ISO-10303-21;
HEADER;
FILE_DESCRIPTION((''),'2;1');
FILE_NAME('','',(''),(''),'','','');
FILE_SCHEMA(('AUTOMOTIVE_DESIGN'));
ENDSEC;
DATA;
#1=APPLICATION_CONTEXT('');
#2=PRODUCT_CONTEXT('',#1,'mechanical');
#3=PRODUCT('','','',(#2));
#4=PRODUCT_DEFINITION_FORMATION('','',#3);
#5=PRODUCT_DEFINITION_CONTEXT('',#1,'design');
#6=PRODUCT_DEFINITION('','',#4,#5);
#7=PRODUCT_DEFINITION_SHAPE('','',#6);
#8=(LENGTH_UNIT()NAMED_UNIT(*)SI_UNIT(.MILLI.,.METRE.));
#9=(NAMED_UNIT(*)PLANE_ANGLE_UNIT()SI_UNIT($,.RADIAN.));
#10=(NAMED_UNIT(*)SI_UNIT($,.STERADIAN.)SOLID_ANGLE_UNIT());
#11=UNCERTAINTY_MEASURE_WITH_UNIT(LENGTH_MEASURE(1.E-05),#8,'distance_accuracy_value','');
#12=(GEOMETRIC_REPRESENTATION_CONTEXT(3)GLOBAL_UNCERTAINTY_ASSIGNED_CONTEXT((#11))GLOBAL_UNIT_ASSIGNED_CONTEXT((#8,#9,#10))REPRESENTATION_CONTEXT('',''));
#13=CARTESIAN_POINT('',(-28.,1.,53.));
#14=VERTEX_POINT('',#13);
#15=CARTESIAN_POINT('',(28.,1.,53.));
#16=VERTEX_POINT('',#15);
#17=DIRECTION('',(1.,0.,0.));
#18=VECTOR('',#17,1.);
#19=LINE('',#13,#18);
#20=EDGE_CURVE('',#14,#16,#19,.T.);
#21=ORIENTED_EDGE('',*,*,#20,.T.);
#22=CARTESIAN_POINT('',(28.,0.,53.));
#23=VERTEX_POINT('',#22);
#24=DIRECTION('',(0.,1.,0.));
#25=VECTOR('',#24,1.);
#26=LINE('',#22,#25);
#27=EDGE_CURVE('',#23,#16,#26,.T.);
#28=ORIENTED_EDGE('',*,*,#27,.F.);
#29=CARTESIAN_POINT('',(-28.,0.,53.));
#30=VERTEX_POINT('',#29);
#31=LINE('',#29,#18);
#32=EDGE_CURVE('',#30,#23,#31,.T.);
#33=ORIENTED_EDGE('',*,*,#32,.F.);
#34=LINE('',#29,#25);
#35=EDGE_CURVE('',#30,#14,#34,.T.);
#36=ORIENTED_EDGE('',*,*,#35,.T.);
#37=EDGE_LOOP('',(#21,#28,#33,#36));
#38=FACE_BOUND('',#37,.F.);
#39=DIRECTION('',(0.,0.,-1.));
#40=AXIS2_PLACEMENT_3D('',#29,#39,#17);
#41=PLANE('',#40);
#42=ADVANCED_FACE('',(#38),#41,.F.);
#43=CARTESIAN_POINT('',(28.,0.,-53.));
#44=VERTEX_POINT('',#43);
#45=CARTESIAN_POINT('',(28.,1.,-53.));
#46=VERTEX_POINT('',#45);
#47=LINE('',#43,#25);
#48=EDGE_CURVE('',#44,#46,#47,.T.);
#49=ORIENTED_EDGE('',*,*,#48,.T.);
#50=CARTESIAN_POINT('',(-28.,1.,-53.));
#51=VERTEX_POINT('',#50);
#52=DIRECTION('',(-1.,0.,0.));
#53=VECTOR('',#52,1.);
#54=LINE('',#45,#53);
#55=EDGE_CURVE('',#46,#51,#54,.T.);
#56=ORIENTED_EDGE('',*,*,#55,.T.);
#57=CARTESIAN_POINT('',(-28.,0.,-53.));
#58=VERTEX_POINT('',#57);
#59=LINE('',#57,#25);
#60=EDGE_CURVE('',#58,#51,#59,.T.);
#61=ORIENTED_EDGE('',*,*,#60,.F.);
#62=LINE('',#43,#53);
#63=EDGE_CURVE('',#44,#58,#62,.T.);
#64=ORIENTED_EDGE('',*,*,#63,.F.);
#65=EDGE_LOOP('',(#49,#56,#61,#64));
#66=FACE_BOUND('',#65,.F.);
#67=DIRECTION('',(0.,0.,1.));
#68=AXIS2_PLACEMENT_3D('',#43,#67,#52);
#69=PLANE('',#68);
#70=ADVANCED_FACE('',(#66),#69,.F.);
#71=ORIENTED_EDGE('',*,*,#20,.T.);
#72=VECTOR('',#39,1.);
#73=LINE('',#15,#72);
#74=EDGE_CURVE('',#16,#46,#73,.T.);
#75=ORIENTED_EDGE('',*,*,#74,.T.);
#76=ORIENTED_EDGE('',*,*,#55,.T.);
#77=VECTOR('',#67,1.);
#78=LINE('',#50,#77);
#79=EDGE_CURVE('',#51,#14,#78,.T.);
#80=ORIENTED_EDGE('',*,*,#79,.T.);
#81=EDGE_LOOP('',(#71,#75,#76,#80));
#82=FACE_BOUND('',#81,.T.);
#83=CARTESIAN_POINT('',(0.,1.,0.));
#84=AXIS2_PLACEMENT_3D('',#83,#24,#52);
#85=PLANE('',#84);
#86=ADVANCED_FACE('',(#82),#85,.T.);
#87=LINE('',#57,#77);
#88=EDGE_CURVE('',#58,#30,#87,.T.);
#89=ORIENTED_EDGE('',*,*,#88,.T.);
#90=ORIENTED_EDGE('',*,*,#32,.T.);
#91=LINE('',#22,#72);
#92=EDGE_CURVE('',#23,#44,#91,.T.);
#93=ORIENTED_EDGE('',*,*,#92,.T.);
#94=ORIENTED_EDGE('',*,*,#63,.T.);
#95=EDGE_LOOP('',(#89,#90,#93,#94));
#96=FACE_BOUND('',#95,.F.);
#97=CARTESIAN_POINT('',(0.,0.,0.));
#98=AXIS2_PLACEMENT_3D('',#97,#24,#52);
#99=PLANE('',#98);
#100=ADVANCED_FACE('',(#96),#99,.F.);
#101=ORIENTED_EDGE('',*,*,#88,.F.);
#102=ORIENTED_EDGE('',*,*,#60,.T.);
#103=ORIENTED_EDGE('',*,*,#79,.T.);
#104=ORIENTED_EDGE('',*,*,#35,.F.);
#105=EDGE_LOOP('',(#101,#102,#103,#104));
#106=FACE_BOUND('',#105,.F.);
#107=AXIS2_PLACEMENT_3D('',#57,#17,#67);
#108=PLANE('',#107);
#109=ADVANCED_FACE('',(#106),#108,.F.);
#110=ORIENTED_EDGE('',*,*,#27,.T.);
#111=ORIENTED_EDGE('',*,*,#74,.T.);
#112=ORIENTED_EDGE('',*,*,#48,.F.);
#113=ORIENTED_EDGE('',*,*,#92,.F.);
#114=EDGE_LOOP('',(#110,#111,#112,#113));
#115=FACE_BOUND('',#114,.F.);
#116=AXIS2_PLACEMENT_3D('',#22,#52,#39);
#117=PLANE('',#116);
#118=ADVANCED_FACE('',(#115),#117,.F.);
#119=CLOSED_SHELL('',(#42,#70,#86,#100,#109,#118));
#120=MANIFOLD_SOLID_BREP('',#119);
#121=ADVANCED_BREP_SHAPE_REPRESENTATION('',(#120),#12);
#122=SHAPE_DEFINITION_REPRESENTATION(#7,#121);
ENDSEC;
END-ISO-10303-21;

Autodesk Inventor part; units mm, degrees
ref_plane "YZ Plane" through (0, 0, 0) normal (1, 0, 0) x (0, 1, 0)
ref_plane "XZ Plane" through (0, 0, 0) normal (0, 1, 0) x (-1, 0, 0)
ref_plane "XY Plane" through (0, 0, 0) normal (0, 0, 1) x (1, 0, 0)
sketch "Sketch1" plane through (0, 0, 0) normal (0, 1, 0) x (-1, 0, 0)
  line L0 (-28, -53) -> (28, -53)
  line L1 (28, -53) -> (28, 53)
  line L2 (28, 53) -> (-28, 53)
  line L3 (-28, 53) -> (-28, -53)
  line L4 (-28, -53) -> (28, 53) construction
  line L5 (28, -53) -> (-28, 53) construction
  point P0 (0, 0)
  dimension "d0" = 56
  dimension "d1" = 106
extrude "Extrusion1" add sketch "Sketch1" along normal blind 1
properties part number "sheet-battery-protection"
